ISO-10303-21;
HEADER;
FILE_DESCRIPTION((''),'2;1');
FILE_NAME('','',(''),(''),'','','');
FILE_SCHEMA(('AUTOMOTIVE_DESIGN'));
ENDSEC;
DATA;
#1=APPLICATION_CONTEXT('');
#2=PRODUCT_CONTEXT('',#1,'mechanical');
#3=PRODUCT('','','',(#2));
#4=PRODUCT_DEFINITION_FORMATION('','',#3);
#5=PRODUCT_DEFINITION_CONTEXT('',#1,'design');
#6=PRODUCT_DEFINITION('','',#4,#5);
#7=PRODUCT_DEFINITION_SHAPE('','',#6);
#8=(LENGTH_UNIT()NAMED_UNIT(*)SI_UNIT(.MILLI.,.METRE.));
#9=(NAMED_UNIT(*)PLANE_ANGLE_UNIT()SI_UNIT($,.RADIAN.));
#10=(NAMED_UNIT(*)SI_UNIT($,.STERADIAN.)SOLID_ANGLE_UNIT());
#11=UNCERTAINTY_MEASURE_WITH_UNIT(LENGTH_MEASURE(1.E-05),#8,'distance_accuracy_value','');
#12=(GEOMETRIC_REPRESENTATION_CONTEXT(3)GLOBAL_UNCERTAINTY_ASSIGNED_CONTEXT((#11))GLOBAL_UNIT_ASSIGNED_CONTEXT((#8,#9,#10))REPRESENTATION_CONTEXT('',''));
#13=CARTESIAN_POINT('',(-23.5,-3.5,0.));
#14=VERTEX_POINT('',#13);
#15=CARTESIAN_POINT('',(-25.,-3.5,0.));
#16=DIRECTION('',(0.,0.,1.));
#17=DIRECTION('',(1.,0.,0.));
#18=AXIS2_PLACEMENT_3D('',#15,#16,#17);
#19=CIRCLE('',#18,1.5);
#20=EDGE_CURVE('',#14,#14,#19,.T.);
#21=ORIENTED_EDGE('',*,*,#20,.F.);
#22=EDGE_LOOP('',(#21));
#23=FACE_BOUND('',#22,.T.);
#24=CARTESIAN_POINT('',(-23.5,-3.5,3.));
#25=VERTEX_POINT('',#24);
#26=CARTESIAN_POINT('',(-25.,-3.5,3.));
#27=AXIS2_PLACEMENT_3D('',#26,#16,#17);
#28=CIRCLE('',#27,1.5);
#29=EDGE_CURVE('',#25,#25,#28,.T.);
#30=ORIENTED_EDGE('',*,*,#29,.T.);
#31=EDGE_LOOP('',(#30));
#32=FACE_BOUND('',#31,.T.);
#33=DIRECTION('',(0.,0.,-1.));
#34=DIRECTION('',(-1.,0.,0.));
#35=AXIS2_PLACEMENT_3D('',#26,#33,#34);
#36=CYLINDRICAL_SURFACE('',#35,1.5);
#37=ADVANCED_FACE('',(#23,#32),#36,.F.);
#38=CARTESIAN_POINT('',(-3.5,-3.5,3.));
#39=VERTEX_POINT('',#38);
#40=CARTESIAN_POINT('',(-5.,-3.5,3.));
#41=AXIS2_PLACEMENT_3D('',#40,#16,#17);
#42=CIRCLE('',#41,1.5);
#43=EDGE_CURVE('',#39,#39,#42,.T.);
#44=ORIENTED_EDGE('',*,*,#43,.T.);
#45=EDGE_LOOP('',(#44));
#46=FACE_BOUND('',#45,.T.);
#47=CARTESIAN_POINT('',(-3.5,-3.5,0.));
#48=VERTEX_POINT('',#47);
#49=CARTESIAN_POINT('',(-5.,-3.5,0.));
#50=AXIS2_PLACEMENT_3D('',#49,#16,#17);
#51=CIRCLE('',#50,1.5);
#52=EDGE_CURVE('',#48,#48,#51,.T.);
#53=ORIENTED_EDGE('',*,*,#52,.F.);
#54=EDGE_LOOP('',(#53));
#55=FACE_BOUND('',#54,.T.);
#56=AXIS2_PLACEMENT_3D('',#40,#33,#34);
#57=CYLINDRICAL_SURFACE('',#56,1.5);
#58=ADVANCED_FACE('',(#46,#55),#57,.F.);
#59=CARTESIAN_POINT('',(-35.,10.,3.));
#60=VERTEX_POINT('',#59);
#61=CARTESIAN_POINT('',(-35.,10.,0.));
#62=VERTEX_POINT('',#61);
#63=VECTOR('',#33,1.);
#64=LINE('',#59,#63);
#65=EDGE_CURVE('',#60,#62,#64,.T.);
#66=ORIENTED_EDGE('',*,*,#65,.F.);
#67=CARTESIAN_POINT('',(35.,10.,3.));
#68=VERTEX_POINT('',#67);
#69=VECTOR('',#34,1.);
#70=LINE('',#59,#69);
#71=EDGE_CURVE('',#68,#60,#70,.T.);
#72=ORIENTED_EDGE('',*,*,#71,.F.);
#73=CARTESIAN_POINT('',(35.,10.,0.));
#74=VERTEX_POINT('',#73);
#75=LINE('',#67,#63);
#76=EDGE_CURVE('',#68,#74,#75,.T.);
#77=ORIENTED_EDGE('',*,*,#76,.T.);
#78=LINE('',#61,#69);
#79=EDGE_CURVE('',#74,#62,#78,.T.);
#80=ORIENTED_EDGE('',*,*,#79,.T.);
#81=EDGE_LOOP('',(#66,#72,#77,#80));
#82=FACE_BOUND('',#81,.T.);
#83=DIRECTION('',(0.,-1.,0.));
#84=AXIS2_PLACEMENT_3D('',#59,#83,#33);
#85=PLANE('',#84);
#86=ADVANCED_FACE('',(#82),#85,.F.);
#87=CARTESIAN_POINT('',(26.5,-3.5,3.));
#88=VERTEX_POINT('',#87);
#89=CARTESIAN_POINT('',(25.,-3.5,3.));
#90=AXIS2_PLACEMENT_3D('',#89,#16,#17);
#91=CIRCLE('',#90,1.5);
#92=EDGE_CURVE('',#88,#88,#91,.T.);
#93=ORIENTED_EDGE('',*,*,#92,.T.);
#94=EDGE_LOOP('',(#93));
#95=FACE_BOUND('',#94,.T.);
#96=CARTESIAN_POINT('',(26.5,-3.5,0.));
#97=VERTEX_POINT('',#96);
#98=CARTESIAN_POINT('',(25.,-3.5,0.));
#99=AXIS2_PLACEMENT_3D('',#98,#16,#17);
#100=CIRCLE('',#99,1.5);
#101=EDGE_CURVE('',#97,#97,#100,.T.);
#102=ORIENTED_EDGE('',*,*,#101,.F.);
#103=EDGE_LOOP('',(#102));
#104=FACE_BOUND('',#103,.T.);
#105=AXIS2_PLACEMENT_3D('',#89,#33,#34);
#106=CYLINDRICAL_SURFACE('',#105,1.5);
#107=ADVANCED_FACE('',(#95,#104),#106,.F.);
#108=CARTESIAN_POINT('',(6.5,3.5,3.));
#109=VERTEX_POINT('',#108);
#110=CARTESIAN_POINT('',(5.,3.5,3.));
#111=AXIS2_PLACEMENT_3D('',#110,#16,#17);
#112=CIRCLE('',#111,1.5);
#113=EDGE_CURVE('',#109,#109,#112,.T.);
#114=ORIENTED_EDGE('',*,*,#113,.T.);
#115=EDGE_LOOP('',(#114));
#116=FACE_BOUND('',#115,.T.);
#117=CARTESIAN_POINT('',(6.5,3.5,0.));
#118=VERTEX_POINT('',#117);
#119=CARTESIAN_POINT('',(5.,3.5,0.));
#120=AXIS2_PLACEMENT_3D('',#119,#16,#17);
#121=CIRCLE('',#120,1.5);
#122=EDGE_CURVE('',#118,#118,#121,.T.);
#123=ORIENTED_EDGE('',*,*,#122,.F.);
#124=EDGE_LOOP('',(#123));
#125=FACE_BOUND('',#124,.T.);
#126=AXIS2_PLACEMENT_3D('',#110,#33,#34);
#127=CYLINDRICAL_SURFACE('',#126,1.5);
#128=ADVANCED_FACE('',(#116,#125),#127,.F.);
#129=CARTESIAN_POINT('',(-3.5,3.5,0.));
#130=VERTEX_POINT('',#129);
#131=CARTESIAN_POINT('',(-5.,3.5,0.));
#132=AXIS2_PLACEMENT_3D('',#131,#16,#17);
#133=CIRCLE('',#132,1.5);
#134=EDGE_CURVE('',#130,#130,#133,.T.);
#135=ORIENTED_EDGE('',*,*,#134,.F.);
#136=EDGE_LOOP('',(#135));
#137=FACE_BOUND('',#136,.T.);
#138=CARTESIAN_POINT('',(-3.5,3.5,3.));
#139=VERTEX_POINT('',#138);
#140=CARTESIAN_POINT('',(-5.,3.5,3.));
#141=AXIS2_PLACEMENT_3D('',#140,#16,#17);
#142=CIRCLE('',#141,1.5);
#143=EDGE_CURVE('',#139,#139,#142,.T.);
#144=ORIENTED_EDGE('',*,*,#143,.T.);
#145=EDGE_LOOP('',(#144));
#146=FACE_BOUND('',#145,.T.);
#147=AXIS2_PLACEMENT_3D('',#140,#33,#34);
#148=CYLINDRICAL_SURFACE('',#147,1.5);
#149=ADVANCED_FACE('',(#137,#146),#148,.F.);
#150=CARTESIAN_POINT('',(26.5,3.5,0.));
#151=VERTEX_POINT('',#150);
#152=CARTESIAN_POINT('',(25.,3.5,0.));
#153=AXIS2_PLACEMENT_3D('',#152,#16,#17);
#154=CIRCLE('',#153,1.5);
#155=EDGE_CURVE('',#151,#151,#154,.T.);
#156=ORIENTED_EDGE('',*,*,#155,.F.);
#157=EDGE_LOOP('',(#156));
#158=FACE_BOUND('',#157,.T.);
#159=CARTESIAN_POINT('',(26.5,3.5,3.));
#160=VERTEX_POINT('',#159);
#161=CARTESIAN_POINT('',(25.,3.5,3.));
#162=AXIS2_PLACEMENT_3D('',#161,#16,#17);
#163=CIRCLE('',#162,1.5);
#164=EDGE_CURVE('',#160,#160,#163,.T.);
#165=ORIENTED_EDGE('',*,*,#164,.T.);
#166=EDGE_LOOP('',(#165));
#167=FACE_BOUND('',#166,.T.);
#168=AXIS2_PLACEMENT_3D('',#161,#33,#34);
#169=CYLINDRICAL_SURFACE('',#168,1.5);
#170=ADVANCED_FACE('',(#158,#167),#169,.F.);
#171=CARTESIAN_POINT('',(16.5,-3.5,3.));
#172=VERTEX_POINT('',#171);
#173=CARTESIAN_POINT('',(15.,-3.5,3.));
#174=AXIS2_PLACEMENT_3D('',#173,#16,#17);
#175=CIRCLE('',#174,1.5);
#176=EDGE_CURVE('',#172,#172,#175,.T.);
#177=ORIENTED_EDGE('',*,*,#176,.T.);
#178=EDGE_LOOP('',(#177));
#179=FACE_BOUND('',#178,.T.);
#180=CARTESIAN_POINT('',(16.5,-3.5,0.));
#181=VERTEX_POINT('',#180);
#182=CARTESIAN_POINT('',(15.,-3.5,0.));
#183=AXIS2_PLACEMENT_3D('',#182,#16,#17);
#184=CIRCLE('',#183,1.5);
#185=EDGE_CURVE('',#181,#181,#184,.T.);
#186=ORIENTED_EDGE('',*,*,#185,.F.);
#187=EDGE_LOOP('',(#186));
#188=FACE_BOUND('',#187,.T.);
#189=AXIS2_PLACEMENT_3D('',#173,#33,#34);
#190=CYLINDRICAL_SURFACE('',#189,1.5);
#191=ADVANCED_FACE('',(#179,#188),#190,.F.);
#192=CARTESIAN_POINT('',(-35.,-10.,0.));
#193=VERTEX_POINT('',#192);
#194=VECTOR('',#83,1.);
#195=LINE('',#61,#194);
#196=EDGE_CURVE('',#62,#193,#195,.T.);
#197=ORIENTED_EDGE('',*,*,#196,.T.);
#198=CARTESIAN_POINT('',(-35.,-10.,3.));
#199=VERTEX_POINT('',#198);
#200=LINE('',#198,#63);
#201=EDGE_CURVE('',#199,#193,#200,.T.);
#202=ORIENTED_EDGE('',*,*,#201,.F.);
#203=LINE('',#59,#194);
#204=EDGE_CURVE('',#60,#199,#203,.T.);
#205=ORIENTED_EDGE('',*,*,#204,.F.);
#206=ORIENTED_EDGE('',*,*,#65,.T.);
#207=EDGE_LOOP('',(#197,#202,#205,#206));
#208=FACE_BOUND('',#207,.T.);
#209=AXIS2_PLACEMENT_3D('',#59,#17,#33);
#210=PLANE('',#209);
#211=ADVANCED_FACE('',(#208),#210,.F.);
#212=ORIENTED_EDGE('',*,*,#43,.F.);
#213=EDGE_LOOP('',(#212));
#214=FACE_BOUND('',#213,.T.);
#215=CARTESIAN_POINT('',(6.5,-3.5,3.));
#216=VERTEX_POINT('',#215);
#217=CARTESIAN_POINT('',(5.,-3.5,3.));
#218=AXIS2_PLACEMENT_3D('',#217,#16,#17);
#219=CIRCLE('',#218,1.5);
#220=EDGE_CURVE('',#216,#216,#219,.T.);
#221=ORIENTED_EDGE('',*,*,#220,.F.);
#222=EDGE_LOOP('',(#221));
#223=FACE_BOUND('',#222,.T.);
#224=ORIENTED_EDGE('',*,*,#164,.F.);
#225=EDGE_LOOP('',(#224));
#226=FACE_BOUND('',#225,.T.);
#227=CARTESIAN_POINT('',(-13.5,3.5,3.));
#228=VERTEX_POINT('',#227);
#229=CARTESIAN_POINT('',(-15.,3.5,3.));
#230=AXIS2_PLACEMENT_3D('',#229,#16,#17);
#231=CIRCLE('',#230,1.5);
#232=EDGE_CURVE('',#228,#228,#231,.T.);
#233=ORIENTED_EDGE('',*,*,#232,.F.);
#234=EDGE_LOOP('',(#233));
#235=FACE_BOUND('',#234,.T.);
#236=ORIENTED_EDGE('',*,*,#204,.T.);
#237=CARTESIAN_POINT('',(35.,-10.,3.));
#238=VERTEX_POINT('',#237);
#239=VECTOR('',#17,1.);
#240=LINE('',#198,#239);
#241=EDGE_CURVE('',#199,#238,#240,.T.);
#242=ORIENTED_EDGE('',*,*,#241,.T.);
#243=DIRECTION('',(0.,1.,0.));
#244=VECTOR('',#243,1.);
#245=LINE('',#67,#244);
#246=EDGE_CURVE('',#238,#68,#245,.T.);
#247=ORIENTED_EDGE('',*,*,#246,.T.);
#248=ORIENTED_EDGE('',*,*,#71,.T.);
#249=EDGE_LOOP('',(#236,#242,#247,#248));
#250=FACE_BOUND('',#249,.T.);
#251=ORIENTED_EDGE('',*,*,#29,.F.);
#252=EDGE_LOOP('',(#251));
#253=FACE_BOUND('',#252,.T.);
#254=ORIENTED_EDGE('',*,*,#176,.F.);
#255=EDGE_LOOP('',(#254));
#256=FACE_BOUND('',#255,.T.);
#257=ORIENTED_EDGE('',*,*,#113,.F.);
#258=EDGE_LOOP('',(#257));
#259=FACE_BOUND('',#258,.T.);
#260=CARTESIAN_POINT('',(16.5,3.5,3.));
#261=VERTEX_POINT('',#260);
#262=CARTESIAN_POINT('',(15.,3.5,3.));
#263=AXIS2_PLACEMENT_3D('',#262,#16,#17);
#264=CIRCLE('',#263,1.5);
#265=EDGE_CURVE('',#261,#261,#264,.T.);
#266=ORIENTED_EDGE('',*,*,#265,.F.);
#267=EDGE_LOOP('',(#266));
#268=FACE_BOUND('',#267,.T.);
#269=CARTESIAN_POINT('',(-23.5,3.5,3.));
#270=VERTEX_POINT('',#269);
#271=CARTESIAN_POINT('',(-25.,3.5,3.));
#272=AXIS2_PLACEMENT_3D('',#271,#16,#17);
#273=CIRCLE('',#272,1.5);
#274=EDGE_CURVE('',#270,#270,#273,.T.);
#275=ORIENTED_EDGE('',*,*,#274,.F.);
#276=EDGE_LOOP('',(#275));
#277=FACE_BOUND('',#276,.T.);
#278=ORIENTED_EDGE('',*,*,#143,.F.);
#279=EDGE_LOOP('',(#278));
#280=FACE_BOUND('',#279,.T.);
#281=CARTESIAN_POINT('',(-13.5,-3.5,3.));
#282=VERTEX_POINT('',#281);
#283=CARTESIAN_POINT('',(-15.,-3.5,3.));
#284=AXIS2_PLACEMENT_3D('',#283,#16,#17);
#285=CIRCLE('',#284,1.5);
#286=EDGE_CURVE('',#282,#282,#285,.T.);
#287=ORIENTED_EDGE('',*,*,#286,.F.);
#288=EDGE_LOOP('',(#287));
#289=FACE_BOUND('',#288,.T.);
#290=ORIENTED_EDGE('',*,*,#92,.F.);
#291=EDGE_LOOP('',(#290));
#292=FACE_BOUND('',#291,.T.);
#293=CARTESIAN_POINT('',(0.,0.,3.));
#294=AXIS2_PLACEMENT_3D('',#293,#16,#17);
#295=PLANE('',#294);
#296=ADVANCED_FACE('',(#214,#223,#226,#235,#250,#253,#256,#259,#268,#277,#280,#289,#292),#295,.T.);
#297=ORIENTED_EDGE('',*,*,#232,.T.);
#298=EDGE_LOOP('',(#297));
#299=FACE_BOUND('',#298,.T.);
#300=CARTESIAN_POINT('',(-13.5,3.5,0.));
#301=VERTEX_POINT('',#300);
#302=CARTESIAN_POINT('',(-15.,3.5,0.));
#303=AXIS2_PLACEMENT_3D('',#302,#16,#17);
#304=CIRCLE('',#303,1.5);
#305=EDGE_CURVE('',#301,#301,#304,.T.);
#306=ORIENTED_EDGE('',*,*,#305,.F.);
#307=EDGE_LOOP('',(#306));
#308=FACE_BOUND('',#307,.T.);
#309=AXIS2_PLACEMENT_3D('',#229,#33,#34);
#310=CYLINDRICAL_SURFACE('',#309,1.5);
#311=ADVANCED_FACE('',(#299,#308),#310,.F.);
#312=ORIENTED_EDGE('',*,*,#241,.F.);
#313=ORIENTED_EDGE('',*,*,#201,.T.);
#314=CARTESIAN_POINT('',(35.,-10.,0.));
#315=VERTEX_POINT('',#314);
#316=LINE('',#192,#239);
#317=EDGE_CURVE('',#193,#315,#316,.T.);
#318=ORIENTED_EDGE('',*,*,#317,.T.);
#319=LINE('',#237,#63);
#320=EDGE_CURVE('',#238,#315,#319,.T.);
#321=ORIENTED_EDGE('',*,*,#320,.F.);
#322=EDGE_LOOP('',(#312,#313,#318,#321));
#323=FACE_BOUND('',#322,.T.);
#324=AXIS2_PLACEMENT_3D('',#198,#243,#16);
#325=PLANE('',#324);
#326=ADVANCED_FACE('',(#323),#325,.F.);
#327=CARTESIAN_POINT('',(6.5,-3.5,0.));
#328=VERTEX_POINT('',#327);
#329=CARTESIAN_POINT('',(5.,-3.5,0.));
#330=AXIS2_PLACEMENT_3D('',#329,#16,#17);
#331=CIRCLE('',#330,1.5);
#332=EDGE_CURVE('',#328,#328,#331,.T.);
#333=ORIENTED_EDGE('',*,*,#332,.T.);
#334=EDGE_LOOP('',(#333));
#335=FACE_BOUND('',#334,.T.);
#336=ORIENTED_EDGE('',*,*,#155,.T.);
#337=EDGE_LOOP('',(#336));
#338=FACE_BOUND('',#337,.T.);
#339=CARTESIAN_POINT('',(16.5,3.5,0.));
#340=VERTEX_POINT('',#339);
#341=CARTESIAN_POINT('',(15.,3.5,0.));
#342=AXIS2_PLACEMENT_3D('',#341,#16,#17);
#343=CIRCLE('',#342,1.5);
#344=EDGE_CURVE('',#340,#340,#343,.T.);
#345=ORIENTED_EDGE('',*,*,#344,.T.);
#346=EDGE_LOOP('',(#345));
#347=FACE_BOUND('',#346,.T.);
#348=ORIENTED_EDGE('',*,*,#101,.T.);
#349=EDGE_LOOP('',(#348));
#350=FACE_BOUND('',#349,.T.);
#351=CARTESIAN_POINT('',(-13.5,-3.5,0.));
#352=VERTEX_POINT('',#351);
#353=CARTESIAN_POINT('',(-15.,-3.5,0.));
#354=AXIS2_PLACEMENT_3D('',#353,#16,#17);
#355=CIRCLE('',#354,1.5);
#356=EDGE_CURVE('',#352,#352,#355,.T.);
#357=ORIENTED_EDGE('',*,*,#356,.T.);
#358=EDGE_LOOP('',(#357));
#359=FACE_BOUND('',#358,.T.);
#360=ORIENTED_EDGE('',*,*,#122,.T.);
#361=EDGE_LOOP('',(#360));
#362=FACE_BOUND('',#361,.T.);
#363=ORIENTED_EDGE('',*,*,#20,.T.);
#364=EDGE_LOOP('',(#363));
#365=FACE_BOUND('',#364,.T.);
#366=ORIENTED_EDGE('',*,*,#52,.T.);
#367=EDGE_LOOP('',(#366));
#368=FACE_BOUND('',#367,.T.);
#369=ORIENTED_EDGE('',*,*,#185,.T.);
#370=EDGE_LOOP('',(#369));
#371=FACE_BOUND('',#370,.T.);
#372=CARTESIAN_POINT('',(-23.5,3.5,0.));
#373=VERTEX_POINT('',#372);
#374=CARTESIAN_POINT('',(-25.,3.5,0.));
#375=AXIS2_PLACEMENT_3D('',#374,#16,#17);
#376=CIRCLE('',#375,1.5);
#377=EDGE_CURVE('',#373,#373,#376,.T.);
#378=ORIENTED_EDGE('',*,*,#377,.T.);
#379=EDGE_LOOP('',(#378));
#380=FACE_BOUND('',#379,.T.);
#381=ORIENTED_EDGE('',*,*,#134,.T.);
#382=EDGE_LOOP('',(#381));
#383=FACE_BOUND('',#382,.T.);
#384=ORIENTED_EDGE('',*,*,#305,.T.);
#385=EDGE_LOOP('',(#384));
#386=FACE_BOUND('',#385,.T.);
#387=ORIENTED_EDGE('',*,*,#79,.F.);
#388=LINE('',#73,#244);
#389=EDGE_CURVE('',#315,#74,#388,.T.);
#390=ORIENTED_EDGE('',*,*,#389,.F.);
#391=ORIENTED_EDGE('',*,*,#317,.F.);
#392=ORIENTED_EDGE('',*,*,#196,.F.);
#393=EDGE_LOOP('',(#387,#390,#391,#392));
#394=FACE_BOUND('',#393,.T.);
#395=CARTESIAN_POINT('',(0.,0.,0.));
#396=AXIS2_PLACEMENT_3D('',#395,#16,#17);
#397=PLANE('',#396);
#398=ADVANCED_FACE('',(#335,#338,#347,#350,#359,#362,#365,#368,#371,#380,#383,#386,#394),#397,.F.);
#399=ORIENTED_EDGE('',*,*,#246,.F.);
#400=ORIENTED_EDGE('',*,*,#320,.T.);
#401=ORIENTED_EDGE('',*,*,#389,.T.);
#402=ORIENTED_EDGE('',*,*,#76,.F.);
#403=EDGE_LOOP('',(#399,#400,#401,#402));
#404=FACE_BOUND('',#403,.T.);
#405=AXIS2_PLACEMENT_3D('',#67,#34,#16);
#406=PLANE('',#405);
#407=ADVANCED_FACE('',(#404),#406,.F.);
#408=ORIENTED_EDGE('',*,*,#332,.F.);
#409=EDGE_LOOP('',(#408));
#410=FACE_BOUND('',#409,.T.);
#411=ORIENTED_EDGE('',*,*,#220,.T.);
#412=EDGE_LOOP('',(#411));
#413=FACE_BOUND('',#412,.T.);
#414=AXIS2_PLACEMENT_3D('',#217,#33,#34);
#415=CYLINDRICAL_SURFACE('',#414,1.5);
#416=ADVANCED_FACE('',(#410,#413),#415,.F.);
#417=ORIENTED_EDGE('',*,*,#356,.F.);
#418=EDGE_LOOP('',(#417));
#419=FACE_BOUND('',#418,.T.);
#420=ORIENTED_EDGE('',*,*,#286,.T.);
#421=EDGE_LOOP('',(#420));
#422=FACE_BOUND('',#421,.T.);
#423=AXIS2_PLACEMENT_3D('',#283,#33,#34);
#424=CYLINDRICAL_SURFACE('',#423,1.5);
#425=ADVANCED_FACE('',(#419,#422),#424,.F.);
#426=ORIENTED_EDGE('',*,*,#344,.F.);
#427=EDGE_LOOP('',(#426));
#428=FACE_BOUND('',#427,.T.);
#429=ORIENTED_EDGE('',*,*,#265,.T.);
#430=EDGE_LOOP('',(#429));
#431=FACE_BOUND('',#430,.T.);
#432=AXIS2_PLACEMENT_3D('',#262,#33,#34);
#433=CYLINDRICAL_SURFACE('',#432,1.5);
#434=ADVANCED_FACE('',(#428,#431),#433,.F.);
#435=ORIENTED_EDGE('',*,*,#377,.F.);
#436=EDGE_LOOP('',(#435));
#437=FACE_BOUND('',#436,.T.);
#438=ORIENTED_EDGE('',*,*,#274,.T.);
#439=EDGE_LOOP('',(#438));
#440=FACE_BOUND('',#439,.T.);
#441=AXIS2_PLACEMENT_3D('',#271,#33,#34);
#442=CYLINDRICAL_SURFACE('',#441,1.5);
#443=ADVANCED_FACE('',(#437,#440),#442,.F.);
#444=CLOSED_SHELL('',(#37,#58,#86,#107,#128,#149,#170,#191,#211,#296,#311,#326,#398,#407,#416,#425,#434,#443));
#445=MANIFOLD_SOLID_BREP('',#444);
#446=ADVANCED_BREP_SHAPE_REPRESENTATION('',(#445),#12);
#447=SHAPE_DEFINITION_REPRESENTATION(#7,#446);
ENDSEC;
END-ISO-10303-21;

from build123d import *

# Parameters (mm, degrees)
SKETCH1_W           = 70
SKETCH1_H           = 20
SKETCH1_R           = 1.5
BOSS_EXTRUDE1_DEPTH = 3


with BuildPart() as part:
    # Sketch1 → Boss-Extrude1 (new body)
    with BuildSketch(Plane.XY):
        Rectangle(SKETCH1_W, SKETCH1_H)
        with Locations((-25, 3.5)):
            Circle(SKETCH1_R, mode=Mode.SUBTRACT)
        with Locations((-25, -3.5)):
            Circle(SKETCH1_R, mode=Mode.SUBTRACT)
        with Locations((-15, 3.5)):
            Circle(SKETCH1_R, mode=Mode.SUBTRACT)
        with Locations((-5, 3.5)):
            Circle(SKETCH1_R, mode=Mode.SUBTRACT)
        with Locations((5, 3.5)):
            Circle(SKETCH1_R, mode=Mode.SUBTRACT)
        with Locations((15, 3.5)):
            Circle(SKETCH1_R, mode=Mode.SUBTRACT)
        with Locations((25, 3.5)):
            Circle(SKETCH1_R, mode=Mode.SUBTRACT)
        with Locations((-15, -3.5)):
            Circle(SKETCH1_R, mode=Mode.SUBTRACT)
        with Locations((-5, -3.5)):
            Circle(SKETCH1_R, mode=Mode.SUBTRACT)
        with Locations((5, -3.5)):
            Circle(SKETCH1_R, mode=Mode.SUBTRACT)
        with Locations((15, -3.5)):
            Circle(SKETCH1_R, mode=Mode.SUBTRACT)
        with Locations((25, -3.5)):
            Circle(SKETCH1_R, mode=Mode.SUBTRACT)
    extrude(amount=BOSS_EXTRUDE1_DEPTH)


solid = part.part
